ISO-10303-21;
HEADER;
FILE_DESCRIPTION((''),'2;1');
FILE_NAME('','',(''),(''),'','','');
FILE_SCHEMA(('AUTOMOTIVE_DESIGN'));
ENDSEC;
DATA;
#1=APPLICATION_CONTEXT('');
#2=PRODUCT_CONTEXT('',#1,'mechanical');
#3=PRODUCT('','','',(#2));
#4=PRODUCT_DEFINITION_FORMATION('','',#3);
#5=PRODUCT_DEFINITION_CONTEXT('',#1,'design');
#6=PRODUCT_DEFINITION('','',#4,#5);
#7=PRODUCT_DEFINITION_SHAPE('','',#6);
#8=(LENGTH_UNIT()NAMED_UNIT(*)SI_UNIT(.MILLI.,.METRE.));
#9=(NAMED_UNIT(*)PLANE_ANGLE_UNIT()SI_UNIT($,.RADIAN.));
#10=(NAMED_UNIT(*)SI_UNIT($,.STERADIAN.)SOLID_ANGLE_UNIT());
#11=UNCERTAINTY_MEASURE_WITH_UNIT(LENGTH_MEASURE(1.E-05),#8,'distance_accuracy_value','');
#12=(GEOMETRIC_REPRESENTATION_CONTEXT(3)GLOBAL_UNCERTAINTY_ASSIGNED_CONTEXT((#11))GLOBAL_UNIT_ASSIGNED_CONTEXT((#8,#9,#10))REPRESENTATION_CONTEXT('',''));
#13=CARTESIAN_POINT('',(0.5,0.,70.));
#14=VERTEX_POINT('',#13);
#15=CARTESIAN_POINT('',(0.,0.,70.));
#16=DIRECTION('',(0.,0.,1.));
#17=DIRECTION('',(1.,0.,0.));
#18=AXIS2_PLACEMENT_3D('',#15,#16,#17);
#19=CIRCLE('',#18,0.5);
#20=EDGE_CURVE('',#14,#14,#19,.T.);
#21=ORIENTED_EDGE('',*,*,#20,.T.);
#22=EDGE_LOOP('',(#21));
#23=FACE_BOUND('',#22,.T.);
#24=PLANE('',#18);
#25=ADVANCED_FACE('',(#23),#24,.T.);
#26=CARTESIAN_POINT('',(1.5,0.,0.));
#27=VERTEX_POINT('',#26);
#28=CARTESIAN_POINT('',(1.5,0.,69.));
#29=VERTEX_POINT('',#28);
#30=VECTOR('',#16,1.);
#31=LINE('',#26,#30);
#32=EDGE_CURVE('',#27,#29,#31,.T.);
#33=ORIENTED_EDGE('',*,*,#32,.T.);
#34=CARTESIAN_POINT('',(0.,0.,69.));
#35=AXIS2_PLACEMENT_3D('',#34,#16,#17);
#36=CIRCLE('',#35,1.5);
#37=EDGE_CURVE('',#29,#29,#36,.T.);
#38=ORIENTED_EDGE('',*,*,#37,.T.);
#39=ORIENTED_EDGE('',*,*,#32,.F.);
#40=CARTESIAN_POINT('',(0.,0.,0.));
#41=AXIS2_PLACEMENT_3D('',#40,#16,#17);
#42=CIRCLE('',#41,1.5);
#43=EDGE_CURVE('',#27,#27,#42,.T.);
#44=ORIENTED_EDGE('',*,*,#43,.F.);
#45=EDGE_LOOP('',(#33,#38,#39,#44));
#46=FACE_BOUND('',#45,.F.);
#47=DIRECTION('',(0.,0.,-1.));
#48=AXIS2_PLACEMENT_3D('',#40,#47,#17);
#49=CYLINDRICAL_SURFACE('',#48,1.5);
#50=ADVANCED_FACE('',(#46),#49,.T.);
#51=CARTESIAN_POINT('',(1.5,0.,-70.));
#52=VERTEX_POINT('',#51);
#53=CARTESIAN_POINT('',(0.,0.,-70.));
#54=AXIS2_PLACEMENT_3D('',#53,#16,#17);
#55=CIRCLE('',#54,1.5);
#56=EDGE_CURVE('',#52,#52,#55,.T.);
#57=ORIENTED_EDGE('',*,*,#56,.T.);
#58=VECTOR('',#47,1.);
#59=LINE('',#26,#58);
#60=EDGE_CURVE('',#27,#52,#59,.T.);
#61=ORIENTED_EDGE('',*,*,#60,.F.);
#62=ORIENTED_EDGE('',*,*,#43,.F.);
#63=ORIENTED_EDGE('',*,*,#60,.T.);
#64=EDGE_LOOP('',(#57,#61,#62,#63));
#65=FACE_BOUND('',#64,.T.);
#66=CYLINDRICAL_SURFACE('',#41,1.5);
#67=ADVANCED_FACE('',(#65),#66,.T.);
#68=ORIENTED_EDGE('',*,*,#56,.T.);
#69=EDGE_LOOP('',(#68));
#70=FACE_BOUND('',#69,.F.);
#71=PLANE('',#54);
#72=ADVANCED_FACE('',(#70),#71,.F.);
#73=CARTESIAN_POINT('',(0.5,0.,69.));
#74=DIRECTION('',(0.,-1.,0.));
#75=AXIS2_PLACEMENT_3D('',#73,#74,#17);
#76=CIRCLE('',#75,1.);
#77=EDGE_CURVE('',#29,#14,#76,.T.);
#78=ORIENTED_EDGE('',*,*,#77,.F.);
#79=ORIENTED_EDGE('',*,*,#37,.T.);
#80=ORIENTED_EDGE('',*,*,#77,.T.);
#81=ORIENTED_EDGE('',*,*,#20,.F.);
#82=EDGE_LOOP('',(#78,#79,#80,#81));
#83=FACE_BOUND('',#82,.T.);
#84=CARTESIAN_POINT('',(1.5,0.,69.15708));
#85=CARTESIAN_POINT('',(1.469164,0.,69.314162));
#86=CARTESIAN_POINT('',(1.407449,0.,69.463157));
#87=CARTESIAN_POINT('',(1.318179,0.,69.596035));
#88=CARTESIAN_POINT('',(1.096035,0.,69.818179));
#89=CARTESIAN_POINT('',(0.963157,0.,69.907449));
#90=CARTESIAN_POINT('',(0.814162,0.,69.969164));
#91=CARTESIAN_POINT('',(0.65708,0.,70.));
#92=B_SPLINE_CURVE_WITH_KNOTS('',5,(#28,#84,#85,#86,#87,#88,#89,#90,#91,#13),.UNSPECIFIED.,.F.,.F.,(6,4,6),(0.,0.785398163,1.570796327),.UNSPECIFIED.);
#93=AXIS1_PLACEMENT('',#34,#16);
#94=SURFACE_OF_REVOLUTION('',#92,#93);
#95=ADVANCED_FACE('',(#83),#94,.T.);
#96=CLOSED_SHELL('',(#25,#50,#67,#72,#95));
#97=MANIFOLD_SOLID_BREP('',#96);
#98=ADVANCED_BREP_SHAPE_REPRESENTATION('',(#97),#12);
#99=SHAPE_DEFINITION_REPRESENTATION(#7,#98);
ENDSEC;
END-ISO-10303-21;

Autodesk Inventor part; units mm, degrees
ref_plane "YZ Plane" through (0, 0, 0) normal (1, 0, 0) x (0, 1, 0)
ref_plane "XZ Plane" through (0, 0, 0) normal (0, 1, 0) x (-1, 0, 0)
ref_plane "XY Plane" through (0, 0, 0) normal (0, 0, 1) x (1, 0, 0)
sketch "Sketch1" plane through (0, 0, 0) normal (0, 0, 1) x (1, 0, 0)
  circle A0 centre (0, 0) radius 1.5
  dimension "Diameter" = 3
extrude "Extrusion1" add sketch "Sketch1" along normal mid plane 140
thread "Thread1" size "M3x0.5" class "6g" standard "ISO Metric profile" length 20
fillet "Fillet1" radius 1 1 edges at (-1.5, 0, 70)
properties part number "Domed End Rod 150mm" material "Bronze, Soft Tin"
